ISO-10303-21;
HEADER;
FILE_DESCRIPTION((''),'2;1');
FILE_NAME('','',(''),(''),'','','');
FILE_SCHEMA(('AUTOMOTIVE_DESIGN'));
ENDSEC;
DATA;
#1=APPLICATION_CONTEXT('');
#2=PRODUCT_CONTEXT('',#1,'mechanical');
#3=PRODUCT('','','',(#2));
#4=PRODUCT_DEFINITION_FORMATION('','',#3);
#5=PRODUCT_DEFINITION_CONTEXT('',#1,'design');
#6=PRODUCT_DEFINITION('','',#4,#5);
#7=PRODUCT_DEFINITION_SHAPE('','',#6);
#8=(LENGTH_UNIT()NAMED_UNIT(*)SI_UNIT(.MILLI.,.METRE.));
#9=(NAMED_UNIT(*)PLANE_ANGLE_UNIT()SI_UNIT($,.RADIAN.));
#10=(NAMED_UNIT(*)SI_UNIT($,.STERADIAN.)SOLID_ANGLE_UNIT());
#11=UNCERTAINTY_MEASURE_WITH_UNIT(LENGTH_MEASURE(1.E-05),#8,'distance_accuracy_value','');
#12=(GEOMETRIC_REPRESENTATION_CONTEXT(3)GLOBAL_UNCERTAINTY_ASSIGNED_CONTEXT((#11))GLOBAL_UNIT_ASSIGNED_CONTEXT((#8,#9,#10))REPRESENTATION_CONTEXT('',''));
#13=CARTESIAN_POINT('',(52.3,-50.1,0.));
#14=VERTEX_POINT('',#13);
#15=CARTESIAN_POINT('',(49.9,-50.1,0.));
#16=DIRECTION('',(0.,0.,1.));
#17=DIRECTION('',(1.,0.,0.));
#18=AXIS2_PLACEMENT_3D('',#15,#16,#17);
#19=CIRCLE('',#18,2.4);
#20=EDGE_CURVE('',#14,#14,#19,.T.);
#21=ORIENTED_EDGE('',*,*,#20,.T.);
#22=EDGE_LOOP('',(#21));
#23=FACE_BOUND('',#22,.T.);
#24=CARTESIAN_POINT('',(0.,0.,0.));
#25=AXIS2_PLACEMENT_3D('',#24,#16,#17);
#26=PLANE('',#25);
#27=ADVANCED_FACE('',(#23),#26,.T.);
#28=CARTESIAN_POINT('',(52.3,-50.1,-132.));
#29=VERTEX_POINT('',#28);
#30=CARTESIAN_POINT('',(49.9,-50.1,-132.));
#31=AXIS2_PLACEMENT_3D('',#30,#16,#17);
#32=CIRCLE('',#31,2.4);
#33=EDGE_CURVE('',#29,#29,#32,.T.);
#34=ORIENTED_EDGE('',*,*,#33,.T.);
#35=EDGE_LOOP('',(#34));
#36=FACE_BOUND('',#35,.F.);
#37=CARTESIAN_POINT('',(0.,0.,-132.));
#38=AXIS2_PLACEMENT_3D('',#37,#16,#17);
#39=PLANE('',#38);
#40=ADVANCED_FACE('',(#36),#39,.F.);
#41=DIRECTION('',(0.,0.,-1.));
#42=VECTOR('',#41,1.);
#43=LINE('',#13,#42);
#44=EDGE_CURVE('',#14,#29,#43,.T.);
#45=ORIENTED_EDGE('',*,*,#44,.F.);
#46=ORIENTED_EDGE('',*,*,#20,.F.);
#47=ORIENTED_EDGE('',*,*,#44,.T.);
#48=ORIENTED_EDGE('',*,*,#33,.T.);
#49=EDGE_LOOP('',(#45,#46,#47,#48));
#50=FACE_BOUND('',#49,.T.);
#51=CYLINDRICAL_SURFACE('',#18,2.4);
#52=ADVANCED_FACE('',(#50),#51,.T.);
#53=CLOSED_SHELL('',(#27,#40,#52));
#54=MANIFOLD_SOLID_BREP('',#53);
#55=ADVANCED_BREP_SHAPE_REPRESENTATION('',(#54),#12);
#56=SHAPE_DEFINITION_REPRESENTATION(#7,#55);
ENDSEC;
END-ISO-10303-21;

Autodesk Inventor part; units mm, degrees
ref_plane "YZ Plane" through (0, 0, 0) normal (1, 0, 0) x (0, 1, 0)
ref_plane "XZ Plane" through (0, 0, 0) normal (0, 1, 0) x (-1, 0, 0)
ref_plane "XY Plane" through (0, 0, 0) normal (0, 0, 1) x (1, 0, 0)
ref_plane "Arbeitsebene1" through (0, 0, 0) normal (0, 0, 1) x (1, 0, 0)
sketch "Skizze1" plane through (0, 0, 0) normal (0, 0, 1) x (1, 0, 0)
  circle A0 centre (49.9, -50.1) radius 2.75 projected
  circle A1 centre (49.9, -50.1) radius 2.4
  point P0 (0, 0)
  dimension "d0" = 4.8
extrude "Extrusion1" add sketch "Skizze1" against normal blind 132 contours A1
thread "Gewinde1" size "M5x0.8" class "6g" standard "ANSI Metric M Profile" full length
properties part number "00_M5_Threaded_rod_132mm"
